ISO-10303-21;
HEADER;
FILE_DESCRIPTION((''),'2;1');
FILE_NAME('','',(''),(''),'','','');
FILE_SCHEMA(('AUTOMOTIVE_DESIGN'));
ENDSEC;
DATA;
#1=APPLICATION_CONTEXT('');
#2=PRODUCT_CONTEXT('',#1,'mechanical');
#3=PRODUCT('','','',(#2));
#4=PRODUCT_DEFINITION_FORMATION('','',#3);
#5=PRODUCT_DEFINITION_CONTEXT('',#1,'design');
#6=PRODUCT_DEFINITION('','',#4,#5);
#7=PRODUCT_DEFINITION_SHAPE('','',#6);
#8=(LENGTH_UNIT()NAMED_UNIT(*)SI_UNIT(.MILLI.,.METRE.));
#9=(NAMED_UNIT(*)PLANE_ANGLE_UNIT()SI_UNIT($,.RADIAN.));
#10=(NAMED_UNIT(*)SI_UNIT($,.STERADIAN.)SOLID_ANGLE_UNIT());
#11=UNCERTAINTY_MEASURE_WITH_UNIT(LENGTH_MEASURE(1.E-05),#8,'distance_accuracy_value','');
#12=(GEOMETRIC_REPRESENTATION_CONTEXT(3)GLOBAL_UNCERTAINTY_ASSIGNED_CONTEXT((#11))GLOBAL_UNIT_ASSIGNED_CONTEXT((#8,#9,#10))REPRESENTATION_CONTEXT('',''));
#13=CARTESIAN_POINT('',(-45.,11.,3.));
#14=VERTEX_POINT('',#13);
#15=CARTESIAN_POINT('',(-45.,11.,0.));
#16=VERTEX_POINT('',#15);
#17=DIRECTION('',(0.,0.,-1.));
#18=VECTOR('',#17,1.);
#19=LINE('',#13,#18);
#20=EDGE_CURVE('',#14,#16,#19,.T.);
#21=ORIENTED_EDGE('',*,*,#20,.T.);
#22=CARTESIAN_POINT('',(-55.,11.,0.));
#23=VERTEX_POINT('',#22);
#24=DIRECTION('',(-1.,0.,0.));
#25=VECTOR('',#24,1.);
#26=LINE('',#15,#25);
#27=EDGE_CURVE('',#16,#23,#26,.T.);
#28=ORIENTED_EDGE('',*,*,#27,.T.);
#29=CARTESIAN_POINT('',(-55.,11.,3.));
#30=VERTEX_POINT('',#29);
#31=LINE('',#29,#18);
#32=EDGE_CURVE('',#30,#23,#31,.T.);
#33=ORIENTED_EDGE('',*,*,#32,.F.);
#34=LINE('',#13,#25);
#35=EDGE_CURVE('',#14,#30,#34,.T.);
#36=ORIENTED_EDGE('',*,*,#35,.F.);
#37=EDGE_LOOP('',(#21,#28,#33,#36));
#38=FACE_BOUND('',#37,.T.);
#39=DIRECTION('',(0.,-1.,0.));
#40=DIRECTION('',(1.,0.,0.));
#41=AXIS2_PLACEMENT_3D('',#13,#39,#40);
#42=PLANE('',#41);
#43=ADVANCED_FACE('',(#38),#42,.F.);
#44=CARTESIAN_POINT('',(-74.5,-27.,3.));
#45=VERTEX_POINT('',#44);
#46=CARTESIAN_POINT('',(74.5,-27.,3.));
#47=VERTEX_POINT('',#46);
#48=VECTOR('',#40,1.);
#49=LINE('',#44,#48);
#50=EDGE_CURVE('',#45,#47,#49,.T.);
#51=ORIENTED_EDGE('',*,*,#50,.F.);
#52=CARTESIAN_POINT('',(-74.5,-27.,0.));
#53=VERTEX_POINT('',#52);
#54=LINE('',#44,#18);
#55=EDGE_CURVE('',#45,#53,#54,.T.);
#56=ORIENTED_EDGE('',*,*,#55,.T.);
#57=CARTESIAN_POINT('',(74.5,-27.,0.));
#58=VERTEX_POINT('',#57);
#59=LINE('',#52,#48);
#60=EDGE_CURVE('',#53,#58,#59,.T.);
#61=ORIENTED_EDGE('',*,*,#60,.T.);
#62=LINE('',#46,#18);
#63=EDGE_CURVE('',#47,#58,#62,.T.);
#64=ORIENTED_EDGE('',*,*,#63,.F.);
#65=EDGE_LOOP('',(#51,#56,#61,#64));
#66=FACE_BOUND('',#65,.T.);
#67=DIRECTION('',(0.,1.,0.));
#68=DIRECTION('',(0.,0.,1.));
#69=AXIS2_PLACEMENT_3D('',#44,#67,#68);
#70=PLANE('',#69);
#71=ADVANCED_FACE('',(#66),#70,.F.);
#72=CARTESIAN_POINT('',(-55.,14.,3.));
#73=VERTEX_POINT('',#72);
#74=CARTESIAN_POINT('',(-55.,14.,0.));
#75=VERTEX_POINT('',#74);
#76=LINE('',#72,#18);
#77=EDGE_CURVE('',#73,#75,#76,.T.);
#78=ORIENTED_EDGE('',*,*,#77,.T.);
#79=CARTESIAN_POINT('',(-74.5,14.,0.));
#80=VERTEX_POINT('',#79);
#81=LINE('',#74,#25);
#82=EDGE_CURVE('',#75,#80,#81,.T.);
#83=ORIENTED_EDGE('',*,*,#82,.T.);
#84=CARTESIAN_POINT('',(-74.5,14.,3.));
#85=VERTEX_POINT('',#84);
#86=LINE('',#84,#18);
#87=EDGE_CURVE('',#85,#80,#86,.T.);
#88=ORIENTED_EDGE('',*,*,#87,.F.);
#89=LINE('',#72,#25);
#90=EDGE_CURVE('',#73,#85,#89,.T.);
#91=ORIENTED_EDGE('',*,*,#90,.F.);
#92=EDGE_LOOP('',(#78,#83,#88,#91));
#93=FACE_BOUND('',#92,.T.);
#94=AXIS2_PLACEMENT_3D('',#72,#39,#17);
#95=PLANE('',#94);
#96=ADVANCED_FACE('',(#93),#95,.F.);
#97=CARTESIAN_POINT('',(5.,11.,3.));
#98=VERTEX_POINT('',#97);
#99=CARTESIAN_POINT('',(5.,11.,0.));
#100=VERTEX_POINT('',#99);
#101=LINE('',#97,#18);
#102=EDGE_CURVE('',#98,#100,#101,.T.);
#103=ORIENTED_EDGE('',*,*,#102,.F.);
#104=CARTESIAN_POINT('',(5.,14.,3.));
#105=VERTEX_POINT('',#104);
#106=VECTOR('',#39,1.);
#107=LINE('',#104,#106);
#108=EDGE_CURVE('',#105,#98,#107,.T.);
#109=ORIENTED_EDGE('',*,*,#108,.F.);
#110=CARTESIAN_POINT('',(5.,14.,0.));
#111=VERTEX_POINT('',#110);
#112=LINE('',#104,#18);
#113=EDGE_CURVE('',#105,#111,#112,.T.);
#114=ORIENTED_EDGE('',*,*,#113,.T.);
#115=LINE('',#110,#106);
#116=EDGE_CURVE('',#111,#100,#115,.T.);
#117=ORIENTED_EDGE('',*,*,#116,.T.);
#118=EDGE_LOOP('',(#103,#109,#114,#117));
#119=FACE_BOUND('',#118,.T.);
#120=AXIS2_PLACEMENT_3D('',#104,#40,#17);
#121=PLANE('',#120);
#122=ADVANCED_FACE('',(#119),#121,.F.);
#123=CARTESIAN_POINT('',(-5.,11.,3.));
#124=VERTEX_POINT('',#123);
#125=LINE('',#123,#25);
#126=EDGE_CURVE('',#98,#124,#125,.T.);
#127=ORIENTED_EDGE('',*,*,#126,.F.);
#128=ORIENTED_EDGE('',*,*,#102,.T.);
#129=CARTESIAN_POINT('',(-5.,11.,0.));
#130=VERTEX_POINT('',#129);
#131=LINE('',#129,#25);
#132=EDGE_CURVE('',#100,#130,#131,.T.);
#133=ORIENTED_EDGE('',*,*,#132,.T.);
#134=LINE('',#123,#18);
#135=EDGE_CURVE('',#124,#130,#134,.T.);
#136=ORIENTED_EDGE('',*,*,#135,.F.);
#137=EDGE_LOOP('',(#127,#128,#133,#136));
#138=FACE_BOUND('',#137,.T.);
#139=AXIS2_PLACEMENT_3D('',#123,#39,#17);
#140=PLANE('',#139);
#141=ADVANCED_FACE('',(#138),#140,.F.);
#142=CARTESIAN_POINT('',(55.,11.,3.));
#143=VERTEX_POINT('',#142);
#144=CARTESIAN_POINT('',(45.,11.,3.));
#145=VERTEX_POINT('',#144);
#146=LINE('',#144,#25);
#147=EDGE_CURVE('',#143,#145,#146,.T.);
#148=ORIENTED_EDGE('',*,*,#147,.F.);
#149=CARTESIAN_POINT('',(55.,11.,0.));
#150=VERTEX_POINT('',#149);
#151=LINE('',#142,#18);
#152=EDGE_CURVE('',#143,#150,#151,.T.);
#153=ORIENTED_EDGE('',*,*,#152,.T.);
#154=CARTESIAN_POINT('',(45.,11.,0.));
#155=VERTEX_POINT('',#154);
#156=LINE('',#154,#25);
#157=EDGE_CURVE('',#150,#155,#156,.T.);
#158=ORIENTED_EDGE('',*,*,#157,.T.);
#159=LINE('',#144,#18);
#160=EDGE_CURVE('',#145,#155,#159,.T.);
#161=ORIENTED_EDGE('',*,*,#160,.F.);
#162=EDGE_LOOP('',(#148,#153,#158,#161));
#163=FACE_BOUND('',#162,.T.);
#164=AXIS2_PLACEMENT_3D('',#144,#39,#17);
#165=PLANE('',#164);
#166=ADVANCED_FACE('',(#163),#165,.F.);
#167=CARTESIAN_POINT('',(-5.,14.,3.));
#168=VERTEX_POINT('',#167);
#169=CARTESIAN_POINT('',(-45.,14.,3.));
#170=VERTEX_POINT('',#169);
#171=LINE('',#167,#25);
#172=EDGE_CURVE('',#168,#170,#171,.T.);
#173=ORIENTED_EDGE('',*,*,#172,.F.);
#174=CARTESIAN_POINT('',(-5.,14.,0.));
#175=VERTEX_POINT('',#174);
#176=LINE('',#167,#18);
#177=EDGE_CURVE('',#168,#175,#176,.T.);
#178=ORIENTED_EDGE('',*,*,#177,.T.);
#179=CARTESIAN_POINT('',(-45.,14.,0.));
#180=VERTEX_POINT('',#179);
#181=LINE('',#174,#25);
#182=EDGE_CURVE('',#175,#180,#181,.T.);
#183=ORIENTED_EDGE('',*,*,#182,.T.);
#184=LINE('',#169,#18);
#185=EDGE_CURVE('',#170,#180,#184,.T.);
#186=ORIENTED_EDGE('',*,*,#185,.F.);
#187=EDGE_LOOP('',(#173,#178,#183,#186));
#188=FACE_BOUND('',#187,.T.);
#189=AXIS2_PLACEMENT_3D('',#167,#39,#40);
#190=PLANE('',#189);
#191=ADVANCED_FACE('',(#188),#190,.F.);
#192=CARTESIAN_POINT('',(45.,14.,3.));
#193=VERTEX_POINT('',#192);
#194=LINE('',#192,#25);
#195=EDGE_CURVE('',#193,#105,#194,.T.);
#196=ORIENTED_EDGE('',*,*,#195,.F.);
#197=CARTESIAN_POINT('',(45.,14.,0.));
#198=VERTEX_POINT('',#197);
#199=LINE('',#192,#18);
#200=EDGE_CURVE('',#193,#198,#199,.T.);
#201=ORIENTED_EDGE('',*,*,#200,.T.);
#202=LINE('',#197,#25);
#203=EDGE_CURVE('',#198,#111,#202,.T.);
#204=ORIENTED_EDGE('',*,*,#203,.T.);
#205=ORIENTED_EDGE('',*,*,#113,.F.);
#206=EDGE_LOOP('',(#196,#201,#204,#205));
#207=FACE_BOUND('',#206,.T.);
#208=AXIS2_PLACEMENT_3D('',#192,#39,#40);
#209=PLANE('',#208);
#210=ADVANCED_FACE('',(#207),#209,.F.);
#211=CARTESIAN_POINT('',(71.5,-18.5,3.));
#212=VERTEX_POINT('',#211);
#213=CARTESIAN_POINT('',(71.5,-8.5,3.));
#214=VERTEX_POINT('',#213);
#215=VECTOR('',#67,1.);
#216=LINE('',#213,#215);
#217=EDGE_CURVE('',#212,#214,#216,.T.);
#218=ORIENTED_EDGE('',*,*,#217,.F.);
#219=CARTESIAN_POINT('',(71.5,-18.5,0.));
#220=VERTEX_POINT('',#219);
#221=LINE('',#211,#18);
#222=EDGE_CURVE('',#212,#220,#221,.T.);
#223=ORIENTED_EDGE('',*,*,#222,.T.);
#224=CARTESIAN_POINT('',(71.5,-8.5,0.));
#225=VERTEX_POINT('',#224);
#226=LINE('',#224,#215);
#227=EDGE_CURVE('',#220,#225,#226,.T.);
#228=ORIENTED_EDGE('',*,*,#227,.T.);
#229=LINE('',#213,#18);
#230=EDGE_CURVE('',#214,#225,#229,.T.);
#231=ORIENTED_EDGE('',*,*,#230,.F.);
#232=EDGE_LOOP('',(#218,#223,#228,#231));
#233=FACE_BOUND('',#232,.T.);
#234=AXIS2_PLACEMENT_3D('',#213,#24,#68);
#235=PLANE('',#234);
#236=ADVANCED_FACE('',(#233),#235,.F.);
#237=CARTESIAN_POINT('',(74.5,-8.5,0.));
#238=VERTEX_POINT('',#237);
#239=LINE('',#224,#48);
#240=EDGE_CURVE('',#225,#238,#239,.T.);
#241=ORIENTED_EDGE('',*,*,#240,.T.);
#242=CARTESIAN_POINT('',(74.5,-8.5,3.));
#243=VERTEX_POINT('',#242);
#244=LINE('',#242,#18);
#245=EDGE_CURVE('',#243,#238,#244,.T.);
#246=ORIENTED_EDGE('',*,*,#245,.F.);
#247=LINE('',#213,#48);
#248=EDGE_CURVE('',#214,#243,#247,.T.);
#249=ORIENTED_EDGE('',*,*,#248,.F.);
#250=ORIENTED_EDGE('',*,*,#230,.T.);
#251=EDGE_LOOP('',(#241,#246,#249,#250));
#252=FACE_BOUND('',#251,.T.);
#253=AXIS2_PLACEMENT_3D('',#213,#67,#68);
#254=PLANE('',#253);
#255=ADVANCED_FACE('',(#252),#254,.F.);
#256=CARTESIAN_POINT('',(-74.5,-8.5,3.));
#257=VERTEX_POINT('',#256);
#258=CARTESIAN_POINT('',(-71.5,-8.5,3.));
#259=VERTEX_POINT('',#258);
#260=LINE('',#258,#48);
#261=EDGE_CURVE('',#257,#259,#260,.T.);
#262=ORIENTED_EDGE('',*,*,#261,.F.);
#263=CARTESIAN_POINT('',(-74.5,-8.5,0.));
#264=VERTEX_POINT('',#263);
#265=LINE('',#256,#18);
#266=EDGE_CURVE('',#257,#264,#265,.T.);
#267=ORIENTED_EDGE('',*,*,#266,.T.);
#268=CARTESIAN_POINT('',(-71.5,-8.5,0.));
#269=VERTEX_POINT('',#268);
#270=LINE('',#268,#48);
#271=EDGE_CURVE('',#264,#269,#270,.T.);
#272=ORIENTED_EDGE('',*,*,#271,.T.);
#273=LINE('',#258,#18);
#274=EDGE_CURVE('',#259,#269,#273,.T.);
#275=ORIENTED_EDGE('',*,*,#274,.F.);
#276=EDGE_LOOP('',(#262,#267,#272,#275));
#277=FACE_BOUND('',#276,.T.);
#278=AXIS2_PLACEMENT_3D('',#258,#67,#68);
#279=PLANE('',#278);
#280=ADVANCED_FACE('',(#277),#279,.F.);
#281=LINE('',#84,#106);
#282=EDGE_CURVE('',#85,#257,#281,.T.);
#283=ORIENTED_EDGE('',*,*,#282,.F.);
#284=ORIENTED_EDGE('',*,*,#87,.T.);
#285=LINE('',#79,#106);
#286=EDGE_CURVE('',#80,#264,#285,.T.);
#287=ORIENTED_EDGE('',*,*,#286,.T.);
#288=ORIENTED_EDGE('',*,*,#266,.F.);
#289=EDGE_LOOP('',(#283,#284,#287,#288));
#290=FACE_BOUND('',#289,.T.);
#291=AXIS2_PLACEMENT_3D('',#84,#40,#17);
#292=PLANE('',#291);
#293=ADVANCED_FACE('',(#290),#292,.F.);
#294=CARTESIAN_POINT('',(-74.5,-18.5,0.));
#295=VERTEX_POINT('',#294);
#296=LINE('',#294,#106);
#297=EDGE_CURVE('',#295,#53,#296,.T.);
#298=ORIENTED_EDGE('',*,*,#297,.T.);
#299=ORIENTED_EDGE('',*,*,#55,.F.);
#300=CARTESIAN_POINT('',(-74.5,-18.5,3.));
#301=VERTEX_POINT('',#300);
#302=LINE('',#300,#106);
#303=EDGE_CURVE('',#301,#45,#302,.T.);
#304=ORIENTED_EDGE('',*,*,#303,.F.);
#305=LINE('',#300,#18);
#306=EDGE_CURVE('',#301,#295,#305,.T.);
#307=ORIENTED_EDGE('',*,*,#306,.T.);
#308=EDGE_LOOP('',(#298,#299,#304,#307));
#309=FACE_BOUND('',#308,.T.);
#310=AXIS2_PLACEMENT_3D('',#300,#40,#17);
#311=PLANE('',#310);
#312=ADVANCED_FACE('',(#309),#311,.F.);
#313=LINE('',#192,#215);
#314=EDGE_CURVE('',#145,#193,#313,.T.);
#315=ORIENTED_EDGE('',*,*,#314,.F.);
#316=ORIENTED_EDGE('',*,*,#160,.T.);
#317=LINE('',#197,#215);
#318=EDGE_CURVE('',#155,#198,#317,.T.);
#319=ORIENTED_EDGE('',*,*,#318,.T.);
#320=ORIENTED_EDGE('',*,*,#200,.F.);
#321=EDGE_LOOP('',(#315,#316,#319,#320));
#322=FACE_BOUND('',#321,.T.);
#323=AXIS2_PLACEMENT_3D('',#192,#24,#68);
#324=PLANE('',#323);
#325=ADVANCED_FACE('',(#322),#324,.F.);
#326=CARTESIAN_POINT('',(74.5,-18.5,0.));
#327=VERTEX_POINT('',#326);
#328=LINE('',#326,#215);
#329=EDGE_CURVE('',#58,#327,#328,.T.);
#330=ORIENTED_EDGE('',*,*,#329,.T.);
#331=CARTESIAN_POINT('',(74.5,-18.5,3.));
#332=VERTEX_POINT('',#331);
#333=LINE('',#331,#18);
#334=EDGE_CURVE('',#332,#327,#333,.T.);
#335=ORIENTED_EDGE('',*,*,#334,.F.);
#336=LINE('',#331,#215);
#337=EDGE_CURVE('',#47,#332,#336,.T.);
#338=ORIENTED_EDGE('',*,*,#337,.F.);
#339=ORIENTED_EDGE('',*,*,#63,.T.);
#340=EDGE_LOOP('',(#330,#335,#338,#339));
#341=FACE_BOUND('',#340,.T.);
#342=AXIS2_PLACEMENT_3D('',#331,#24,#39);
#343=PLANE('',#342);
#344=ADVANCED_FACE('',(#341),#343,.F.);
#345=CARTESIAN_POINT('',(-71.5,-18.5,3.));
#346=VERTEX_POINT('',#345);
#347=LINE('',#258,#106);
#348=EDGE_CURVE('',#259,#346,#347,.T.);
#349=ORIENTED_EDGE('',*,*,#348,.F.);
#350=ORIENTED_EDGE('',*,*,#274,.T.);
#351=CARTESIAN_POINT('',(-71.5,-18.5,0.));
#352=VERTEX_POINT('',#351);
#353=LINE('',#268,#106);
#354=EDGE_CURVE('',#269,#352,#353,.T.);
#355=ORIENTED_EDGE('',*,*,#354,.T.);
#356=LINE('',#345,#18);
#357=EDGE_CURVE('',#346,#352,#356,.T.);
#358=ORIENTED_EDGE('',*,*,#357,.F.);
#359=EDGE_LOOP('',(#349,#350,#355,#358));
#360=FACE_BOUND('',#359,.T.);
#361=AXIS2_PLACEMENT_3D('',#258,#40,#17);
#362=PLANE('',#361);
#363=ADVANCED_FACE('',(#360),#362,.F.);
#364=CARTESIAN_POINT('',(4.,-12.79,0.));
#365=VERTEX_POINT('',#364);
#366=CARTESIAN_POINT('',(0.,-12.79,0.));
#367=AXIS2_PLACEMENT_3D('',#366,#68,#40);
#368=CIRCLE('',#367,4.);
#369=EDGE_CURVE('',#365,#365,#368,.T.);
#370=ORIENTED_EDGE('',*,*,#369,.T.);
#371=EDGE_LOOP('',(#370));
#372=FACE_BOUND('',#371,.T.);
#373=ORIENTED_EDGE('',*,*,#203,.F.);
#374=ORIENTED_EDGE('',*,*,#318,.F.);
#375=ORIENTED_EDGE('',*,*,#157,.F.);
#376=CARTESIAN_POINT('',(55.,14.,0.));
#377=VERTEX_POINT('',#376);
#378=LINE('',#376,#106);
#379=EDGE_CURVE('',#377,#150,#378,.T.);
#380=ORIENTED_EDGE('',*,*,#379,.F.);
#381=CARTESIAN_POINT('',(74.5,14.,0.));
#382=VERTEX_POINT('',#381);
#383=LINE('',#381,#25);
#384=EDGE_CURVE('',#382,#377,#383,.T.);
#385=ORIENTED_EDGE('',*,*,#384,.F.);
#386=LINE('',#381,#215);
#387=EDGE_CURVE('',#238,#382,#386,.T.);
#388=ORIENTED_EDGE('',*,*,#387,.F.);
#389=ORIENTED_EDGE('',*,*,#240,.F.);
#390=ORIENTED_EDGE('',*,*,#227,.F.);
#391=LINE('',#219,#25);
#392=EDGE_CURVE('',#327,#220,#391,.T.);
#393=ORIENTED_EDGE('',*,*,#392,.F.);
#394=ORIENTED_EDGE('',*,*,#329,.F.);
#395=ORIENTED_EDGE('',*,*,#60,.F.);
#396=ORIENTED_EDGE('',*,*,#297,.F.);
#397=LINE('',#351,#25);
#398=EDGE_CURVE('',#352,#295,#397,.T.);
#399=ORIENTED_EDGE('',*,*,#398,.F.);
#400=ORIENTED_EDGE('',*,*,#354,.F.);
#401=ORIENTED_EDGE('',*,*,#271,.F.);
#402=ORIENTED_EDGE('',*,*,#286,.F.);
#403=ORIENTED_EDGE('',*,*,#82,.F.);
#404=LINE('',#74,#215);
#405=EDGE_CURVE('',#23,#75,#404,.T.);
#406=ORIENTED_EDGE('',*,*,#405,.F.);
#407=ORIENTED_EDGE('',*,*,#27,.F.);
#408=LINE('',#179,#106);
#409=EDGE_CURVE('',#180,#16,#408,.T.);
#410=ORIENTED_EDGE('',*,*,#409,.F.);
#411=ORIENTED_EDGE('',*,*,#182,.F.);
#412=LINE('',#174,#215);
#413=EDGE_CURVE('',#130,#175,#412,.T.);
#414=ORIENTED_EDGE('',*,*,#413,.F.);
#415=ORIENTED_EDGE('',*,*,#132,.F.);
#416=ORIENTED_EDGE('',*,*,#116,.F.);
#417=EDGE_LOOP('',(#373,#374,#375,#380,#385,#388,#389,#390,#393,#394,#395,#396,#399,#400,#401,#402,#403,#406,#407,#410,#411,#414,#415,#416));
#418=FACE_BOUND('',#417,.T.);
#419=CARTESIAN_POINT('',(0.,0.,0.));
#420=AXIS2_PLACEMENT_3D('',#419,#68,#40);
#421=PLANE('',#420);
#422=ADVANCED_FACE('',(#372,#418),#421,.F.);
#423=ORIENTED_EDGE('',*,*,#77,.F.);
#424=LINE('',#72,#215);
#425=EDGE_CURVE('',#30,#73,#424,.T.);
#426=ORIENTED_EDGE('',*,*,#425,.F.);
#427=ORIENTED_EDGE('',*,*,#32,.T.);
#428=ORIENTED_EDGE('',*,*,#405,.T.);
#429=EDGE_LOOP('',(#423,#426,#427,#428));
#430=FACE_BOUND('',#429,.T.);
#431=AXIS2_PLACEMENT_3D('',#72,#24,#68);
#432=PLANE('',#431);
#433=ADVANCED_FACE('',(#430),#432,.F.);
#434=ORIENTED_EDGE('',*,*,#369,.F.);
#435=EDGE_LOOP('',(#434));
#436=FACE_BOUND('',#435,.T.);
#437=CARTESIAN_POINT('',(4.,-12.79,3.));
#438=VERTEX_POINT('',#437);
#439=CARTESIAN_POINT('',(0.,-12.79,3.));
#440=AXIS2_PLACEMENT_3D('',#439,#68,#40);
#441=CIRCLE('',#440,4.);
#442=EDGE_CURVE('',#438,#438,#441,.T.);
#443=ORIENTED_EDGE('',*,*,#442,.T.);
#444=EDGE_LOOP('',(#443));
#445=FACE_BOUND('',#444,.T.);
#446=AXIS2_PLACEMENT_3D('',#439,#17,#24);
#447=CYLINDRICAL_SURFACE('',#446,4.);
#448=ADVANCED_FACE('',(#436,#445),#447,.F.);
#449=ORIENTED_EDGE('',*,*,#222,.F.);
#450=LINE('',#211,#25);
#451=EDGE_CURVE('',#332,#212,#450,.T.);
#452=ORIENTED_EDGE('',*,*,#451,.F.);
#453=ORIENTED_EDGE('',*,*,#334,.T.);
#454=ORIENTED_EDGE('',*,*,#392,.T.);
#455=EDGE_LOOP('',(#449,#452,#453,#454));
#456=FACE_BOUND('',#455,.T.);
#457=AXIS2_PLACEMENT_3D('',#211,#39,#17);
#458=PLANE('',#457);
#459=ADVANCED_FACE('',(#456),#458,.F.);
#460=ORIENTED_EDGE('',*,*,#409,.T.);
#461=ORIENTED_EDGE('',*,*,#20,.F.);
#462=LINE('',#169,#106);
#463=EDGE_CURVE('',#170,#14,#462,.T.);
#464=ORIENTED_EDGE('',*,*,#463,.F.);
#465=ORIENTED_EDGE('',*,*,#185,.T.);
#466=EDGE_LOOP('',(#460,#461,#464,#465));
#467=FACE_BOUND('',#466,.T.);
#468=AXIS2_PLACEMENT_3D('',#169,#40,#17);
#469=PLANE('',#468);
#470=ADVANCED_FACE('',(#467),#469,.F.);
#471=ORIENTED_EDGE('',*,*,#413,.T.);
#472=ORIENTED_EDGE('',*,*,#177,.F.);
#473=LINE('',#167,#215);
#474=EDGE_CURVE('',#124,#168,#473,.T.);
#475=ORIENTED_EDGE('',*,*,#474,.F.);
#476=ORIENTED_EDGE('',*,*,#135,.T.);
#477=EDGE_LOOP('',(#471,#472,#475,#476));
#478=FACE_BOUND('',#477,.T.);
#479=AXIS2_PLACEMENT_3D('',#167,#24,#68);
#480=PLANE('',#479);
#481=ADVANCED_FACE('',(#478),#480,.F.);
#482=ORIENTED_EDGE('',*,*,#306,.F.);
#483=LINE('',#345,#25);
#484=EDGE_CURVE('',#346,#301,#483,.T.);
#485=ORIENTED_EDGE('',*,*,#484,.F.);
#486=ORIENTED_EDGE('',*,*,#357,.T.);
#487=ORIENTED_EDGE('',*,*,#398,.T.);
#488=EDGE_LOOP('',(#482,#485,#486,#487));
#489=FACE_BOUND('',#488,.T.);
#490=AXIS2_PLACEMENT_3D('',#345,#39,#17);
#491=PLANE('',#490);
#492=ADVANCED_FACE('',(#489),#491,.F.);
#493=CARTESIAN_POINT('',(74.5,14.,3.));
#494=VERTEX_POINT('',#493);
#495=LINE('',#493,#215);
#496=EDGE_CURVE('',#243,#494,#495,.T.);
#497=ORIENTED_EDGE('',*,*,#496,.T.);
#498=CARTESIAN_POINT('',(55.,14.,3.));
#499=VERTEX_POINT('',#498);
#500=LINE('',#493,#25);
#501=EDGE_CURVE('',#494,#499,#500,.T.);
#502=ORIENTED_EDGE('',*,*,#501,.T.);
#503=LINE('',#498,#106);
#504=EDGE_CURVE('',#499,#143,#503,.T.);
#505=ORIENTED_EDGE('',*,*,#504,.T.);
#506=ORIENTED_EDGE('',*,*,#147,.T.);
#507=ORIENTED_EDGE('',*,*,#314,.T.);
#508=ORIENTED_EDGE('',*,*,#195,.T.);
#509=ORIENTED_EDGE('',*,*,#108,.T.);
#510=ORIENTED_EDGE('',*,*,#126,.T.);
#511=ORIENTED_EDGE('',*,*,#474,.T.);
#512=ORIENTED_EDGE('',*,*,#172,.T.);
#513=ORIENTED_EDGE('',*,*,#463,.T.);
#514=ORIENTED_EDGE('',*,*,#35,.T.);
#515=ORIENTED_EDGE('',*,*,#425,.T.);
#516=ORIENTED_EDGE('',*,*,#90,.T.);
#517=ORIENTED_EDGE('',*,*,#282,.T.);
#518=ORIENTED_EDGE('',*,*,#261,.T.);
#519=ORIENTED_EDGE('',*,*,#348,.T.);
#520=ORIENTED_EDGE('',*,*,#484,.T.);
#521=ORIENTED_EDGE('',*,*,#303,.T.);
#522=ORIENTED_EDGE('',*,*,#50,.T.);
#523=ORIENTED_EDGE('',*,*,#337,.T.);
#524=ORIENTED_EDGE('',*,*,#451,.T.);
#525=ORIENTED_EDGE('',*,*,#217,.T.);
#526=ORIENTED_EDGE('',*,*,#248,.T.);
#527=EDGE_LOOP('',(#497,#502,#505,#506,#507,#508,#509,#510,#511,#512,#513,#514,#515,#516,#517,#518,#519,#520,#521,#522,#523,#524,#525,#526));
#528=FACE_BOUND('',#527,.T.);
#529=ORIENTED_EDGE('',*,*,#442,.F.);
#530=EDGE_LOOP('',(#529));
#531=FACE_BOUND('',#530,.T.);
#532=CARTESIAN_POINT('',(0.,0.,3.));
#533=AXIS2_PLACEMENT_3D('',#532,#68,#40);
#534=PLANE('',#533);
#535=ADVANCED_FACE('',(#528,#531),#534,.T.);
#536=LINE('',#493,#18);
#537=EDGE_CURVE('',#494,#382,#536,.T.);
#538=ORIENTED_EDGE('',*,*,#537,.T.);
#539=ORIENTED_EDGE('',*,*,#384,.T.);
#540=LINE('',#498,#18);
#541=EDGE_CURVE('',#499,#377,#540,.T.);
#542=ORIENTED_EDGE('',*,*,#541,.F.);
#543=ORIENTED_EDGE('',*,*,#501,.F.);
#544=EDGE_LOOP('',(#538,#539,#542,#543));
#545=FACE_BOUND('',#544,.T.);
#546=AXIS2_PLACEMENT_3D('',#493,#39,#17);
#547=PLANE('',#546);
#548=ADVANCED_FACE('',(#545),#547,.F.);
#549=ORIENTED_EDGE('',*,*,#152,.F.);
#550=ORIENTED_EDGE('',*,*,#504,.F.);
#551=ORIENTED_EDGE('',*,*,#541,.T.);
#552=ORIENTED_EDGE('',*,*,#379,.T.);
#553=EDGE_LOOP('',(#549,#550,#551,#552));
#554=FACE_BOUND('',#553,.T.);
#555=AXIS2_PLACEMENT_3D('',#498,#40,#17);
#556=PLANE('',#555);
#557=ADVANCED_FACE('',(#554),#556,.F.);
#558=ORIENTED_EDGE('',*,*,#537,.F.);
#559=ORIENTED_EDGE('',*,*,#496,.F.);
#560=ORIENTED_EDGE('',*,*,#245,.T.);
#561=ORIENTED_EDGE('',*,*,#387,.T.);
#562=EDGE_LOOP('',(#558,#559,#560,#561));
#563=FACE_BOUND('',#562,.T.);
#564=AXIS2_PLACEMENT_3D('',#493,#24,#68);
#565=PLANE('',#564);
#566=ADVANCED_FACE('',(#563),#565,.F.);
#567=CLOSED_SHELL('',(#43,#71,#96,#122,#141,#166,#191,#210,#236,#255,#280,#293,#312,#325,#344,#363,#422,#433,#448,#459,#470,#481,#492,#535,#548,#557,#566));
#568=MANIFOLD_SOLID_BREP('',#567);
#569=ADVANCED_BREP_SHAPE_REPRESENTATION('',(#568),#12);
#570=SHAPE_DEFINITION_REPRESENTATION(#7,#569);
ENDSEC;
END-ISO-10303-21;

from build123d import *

# Parameters (mm, degrees)
BOSS_EXTRUDE1_DEPTH = 3
SKETCH2_R           = 4
CUT_EXTRUDE1_DEPTH  = 80.298486745


with BuildPart() as part:
    # Sketch1 → Boss-Extrude1 (new body)
    with BuildSketch(Plane.XY):
        Polygon((-74.5, 14), (-74.5, -8.5), (-71.5, -8.5), (-71.5, -18.5), (-74.5, -18.5), (-74.5, -27), (74.5, -27), (74.5, -18.5), (71.5, -18.5), (71.5, -8.5), (74.5, -8.5), (74.5, 14), (55, 14), (55, 11), (45, 11), (45, 14), (5, 14), (5, 11), (-5, 11), (-5, 14), (-45, 14), (-45, 11), (-55, 11), (-55, 14), align=None)
    extrude(amount=BOSS_EXTRUDE1_DEPTH)

    # Sketch2 → Cut-Extrude1 (cut, through all)
    with BuildSketch(Plane.XY):
        with Locations((0, -12.79)):
            Circle(SKETCH2_R)
    extrude(amount=CUT_EXTRUDE1_DEPTH, mode=Mode.SUBTRACT)


solid = part.part
